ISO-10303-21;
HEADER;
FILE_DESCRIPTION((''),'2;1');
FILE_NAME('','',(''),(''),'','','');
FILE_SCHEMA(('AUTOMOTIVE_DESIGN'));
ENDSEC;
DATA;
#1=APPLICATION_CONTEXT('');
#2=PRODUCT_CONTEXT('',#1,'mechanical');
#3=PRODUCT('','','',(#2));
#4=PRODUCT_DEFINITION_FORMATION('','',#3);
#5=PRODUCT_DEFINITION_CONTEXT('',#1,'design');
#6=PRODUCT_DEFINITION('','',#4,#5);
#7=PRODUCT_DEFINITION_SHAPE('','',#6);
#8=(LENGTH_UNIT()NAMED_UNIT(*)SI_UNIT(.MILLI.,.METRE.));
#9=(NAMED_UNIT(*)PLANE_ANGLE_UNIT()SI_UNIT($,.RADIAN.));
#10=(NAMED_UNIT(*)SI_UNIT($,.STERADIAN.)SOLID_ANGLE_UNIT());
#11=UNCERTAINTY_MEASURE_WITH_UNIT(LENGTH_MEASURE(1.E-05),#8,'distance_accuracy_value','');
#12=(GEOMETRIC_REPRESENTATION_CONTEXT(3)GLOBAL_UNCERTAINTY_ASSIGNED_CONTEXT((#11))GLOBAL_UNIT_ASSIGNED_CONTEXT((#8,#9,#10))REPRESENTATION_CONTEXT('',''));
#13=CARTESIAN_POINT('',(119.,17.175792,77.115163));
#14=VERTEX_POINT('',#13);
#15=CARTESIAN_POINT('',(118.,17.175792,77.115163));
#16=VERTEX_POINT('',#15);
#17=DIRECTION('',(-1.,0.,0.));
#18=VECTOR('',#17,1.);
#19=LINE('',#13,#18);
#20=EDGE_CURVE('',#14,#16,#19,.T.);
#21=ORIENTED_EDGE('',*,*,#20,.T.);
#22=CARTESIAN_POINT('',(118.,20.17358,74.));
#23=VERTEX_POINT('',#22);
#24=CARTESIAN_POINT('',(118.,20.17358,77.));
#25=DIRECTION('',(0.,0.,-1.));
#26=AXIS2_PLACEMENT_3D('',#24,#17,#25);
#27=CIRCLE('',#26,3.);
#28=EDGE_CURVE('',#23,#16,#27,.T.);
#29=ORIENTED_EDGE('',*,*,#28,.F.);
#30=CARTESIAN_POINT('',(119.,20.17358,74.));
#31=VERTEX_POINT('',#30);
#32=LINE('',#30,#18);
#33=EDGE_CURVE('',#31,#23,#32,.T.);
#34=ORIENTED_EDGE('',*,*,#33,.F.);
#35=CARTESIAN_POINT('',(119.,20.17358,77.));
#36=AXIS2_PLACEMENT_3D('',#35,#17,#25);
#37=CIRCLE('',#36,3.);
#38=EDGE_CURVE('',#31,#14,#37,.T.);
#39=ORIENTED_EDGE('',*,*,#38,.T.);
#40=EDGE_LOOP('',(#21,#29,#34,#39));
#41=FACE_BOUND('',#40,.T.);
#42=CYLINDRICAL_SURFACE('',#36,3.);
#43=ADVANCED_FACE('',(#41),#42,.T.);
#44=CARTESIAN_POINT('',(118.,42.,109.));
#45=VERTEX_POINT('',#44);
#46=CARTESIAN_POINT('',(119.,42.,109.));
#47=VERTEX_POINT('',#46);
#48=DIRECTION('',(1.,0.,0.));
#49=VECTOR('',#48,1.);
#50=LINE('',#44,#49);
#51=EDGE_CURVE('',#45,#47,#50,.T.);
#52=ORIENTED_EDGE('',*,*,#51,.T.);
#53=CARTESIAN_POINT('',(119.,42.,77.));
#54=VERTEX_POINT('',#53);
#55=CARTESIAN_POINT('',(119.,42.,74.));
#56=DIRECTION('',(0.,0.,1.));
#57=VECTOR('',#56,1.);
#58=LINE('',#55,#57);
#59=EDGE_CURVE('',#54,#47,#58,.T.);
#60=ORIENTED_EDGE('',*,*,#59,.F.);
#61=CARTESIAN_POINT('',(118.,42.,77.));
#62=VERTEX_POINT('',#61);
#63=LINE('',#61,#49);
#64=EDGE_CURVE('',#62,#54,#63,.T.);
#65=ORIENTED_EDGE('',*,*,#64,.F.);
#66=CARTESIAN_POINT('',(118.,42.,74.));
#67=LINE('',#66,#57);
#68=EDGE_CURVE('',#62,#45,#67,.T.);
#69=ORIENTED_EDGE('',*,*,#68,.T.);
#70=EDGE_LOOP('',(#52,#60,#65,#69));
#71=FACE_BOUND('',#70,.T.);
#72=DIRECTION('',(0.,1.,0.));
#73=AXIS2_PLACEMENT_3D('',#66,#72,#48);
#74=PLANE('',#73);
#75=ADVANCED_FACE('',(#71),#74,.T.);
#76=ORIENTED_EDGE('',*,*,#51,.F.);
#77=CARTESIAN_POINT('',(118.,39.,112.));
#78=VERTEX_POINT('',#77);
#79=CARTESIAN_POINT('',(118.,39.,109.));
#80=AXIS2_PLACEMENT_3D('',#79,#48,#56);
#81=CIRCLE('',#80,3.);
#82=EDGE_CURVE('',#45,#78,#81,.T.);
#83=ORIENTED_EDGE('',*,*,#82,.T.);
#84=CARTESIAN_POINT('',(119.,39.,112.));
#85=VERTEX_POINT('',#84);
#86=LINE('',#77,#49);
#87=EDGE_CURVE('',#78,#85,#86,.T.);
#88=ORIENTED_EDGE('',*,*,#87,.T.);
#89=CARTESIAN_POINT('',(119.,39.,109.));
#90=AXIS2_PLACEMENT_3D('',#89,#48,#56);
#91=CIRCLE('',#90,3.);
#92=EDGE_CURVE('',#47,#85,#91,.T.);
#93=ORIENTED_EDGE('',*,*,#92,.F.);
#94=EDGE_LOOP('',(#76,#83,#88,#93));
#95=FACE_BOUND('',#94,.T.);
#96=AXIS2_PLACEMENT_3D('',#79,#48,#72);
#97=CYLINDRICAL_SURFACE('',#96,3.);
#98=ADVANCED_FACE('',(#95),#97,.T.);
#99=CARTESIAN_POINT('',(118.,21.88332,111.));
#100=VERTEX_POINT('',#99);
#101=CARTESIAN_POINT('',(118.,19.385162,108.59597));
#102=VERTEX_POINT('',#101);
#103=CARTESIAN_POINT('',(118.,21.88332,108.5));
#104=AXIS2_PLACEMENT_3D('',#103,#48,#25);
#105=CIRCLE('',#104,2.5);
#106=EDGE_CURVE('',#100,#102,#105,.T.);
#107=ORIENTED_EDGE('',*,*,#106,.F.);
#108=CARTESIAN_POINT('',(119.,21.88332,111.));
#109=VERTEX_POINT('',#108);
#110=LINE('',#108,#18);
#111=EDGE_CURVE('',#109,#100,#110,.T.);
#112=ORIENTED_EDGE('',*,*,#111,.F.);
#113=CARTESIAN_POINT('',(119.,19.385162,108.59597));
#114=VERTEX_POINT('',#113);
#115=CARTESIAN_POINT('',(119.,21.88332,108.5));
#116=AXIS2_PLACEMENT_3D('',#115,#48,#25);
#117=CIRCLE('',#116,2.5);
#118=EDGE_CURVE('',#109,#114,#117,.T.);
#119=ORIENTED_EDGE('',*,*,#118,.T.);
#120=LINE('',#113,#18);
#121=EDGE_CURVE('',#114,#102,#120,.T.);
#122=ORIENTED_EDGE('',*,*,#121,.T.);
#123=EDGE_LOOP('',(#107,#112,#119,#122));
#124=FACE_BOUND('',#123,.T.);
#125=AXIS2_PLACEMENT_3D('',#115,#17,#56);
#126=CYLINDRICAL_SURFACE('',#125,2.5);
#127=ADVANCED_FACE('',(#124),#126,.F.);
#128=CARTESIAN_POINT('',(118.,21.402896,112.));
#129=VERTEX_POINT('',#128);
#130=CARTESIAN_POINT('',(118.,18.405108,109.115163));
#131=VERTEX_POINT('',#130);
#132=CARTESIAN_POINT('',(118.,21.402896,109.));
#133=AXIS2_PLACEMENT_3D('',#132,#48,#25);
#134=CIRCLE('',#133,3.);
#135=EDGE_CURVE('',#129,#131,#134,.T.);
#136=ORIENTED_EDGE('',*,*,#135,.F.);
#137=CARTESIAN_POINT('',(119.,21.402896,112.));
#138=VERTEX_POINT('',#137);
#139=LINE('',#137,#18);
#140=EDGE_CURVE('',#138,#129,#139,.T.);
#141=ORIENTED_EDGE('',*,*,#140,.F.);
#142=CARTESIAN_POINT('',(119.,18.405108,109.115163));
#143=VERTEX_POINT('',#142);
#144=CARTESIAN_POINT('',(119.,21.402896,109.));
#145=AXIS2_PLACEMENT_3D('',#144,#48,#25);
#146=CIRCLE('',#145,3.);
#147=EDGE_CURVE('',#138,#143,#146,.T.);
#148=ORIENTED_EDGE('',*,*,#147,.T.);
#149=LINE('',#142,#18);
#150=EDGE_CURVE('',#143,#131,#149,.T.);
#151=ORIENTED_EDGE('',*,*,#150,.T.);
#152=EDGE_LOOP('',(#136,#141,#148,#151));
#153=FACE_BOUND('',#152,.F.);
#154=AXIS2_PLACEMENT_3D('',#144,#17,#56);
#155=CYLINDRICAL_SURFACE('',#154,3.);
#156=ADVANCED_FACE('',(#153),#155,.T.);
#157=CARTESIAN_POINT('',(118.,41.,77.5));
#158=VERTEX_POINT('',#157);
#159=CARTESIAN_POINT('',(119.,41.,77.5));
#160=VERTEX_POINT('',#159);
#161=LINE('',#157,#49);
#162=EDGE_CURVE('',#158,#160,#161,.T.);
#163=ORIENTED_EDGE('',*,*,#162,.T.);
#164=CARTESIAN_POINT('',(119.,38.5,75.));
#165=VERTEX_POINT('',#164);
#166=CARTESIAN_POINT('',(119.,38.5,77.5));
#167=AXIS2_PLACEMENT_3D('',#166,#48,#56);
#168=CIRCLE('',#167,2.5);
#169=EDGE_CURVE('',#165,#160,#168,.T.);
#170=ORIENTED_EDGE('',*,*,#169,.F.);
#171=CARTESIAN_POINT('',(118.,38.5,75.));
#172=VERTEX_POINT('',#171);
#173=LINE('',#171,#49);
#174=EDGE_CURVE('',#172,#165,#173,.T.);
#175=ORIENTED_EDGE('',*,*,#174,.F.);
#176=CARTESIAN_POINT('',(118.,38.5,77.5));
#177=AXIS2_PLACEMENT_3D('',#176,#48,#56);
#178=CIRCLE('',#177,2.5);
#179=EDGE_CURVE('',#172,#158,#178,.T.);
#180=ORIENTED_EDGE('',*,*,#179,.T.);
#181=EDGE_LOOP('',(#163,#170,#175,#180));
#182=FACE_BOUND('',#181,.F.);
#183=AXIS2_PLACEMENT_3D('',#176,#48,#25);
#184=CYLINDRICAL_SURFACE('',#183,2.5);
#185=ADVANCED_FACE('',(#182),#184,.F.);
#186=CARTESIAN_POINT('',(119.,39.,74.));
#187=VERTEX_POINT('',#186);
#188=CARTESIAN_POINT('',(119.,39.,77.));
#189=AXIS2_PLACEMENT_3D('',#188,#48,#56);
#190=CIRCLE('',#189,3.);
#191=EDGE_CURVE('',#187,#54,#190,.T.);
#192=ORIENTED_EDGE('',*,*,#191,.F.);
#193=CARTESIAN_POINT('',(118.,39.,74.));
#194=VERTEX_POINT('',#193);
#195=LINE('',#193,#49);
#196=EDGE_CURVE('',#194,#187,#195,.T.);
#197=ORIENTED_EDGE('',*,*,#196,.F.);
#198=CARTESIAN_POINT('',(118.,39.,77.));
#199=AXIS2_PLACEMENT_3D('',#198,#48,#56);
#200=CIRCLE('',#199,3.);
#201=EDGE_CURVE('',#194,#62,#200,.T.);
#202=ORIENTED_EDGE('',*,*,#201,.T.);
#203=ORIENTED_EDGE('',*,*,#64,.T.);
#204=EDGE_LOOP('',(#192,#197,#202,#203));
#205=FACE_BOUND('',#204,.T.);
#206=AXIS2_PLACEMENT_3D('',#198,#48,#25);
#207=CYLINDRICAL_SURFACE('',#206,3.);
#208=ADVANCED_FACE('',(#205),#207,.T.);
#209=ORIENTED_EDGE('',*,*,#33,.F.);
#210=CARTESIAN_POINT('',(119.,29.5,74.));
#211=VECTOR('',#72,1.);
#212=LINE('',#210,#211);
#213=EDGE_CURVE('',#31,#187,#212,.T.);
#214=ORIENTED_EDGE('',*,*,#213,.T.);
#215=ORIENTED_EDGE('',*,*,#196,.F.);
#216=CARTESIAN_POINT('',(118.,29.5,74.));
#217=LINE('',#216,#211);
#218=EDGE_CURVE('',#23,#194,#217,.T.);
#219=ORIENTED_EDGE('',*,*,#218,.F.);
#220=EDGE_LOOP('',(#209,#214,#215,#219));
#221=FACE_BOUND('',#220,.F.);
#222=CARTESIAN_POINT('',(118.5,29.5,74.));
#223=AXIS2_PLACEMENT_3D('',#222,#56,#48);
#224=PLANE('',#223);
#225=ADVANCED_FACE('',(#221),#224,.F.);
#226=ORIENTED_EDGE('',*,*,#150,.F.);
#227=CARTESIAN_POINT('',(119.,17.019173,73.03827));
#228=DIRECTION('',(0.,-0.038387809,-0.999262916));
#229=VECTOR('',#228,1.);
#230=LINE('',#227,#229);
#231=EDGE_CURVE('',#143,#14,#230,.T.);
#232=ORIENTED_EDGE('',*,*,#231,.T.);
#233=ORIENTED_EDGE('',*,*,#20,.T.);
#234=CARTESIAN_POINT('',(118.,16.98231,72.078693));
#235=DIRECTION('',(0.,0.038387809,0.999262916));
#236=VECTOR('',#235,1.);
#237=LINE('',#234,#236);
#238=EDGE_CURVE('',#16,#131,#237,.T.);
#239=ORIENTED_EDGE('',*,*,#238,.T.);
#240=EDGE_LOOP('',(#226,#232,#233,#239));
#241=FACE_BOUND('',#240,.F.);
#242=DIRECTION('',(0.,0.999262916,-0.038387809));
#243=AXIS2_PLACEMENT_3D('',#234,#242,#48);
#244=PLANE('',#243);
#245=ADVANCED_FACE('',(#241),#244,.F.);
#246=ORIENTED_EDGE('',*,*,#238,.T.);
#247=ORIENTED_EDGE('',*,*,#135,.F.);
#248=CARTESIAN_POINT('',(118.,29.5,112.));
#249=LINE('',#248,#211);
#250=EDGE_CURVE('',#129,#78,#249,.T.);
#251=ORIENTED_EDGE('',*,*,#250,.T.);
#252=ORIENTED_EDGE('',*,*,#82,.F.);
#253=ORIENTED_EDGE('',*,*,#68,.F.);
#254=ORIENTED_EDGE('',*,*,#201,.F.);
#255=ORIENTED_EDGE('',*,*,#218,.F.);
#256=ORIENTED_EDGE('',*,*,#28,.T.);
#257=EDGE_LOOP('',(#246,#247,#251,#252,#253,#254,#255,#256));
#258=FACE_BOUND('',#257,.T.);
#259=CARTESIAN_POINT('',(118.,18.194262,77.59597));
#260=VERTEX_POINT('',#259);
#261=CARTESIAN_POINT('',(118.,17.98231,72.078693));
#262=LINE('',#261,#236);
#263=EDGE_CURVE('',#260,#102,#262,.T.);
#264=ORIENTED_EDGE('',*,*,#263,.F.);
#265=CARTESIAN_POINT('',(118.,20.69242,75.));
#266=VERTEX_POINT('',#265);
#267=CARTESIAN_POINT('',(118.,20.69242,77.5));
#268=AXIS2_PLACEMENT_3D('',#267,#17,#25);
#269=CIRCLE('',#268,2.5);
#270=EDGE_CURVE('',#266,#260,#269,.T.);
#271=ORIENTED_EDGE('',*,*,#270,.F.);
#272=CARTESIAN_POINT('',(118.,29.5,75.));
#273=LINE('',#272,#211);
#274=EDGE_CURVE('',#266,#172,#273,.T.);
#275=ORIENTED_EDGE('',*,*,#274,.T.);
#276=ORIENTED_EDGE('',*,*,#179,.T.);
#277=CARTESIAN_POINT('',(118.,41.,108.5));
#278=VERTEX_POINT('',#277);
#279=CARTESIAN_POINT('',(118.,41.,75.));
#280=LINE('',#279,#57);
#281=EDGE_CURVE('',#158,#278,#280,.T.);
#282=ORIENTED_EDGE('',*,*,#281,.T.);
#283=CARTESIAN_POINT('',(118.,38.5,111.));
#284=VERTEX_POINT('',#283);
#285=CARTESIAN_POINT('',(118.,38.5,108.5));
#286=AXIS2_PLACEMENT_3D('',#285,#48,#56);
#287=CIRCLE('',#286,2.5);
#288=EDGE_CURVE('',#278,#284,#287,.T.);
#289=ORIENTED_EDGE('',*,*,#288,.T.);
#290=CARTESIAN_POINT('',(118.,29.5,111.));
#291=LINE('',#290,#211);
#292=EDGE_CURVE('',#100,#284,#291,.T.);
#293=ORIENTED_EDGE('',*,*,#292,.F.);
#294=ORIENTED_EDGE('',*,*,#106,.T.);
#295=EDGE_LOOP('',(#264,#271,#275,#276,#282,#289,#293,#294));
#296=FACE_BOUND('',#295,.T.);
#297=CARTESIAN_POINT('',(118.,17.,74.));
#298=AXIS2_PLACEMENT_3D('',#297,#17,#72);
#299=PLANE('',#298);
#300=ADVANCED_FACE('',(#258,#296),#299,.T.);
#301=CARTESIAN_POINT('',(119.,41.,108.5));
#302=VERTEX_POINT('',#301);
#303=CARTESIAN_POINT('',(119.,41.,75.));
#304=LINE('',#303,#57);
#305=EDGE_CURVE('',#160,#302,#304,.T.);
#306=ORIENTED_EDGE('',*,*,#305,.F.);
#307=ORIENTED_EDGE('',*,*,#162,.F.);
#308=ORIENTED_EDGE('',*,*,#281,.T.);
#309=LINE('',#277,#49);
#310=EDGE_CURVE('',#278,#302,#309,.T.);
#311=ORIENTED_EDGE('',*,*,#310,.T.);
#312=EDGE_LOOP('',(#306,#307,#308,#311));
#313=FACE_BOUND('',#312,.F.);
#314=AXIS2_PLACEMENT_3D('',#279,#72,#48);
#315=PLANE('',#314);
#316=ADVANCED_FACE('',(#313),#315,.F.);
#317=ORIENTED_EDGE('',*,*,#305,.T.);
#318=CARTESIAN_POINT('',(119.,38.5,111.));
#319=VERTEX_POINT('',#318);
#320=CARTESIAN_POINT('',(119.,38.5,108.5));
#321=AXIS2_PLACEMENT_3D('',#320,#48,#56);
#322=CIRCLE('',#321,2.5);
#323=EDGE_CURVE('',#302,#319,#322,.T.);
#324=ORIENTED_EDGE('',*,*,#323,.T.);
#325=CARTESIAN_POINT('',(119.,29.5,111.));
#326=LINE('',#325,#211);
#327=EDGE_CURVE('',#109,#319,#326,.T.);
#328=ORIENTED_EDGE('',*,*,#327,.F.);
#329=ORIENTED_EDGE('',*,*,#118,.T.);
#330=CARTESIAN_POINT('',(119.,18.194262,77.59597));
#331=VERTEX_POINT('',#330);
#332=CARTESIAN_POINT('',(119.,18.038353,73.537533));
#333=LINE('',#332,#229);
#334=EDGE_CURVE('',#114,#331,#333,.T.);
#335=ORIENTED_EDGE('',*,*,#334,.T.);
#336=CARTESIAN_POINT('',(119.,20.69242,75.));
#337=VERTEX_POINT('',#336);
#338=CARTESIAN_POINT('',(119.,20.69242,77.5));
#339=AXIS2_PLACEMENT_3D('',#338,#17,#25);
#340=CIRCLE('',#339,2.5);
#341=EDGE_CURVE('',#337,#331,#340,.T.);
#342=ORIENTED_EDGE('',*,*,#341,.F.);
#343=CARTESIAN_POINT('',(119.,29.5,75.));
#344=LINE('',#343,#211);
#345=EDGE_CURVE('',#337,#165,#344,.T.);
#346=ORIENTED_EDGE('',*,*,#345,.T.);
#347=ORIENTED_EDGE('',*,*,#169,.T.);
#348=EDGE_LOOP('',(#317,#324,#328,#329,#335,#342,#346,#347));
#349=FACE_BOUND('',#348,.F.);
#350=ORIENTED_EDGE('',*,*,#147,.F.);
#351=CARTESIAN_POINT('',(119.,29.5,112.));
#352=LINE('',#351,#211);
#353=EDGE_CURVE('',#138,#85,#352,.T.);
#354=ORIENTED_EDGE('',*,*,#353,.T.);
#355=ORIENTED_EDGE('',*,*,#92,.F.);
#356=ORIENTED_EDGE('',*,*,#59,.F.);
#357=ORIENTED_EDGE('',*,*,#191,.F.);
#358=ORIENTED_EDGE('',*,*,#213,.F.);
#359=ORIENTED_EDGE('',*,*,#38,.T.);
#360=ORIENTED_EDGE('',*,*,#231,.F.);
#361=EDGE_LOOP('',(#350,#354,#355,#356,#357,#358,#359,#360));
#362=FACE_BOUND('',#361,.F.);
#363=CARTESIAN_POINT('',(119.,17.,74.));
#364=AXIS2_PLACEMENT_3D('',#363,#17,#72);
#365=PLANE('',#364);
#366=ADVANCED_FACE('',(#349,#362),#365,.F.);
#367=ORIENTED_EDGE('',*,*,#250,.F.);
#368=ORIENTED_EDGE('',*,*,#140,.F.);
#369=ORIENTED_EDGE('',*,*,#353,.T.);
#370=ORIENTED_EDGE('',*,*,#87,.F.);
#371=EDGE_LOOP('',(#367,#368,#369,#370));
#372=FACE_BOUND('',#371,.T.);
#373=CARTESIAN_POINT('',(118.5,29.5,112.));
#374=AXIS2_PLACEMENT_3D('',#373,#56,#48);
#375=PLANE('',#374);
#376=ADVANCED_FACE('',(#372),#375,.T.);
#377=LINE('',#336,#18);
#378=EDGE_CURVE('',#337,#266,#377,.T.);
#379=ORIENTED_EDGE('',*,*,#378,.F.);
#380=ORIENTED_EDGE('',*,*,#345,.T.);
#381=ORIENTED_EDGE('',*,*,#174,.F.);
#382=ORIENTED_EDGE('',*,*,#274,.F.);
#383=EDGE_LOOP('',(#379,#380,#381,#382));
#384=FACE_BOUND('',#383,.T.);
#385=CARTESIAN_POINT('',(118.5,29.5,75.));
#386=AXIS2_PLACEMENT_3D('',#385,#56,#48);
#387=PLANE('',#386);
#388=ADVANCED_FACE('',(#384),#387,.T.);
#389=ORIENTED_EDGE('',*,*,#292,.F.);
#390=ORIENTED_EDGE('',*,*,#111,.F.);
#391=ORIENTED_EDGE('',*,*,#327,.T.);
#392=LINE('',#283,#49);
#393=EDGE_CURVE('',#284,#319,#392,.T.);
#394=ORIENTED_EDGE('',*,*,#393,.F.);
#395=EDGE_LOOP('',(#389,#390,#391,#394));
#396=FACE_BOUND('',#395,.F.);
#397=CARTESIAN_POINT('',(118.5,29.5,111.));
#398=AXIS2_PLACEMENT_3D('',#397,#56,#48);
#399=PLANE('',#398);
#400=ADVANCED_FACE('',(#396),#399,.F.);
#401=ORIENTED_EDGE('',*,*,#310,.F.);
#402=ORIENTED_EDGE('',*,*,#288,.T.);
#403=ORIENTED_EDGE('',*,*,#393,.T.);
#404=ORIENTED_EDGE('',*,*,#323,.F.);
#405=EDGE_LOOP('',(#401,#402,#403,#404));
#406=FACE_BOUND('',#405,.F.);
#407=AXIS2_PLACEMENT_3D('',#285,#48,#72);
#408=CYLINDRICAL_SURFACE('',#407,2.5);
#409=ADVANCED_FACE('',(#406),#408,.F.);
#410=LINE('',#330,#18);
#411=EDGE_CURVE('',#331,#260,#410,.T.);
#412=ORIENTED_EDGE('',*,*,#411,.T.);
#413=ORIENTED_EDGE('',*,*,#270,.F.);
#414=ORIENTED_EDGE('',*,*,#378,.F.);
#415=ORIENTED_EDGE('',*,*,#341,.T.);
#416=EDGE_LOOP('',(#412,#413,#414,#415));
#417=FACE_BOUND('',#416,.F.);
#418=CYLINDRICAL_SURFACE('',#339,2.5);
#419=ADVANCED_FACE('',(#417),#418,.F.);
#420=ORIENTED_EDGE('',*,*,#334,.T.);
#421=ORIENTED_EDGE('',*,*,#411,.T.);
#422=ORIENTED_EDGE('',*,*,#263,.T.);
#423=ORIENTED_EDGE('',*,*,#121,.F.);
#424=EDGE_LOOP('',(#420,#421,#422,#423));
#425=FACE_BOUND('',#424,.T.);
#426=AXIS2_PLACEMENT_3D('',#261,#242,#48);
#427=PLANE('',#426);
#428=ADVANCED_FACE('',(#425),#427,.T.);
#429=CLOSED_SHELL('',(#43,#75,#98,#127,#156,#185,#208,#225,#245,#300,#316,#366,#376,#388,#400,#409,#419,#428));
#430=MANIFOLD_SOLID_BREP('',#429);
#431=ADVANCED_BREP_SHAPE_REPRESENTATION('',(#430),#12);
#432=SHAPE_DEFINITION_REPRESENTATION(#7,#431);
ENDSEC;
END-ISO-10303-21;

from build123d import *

# Parameters (mm, degrees)
BOX055_W          = 5
BOX055_H          = 24
BOX055_DEPTH      = 40
BOX055_ROLL_ANGLE = -2.2
BOX054_W          = 1
BOX054_H          = 23
BOX054_DEPTH      = 36
FILLET061_R       = 2.5
BOX011_W          = 5
BOX011_H          = 24
BOX011_DEPTH      = 40
BOX011_ROLL_ANGLE = -2.2
BOX010_W          = 1
BOX010_H          = 25
BOX010_DEPTH      = 38
FILLET047_R       = 3


with BuildPart() as cube481:
    # Box055 → Box055 (new body)
    with BuildSketch(Plane.XY):
        with Locations((2.5, 12)):
            Rectangle(BOX055_W, BOX055_H)
    extrude(amount=BOX055_DEPTH)


with BuildPart() as cube481_1:
    # Box055 roll: moved
    add(cube481.part.rotate(Axis((0, 0, 0), (1, 0, 0)), BOX055_ROLL_ANGLE))


with BuildPart() as cube481_2:
    # Box055 placement: moved
    add(cube481_1.part.moved(Location((175, -23, -1))))


with BuildPart() as fillet061:
    # Box054 → Box054 (new body)
    with BuildSketch(Plane(origin=(175, 1, 1), x_dir=(1, 0, 0), z_dir=(0, 0, 1))):
        with Locations((0.5, 11.5)):
            Rectangle(BOX054_W, BOX054_H)
    extrude(amount=BOX054_DEPTH)

    # Cut040: cut Cube481
    add(cube481_2.part, mode=Mode.SUBTRACT)


with BuildPart() as fillet061_1:
    # Cut040 placement: moved
    add(fillet061.part.moved(Location((-57, 17, 74))))

    # Fillet061
    fillet061_edges = [fillet061_1.edges().sort_by_distance(p)[0] for p in [
        (118.5, 41, 111),
        (118.5, 19.477516, 111),
        (118.5, 41, 75),
        (118.5, 18.094535, 75),
    ]]
    fillet(fillet061_edges, radius=FILLET061_R)


with BuildPart() as cube379:
    # Box011 → Box011 (new body)
    with BuildSketch(Plane.XY):
        with Locations((2.5, 12)):
            Rectangle(BOX011_W, BOX011_H)
    extrude(amount=BOX011_DEPTH)


with BuildPart() as cube379_1:
    # Box011 roll: moved
    add(cube379.part.rotate(Axis((0, 0, 0), (1, 0, 0)), BOX011_ROLL_ANGLE))


with BuildPart() as cube379_2:
    # Box011 placement: moved
    add(cube379_1.part.moved(Location((175, -24, -1))))


with BuildPart() as cut041:
    # Box010 → Box010 (new body)
    with BuildSketch(Plane(origin=(175, 0, 0), x_dir=(1, 0, 0), z_dir=(0, 0, 1))):
        with Locations((0.5, 12.5)):
            Rectangle(BOX010_W, BOX010_H)
    extrude(amount=BOX010_DEPTH)

    # Cut004: cut Cube379
    add(cube379_2.part, mode=Mode.SUBTRACT)


with BuildPart() as cut041_1:
    # Cut004 placement: moved
    add(cut041.part.moved(Location((-57, 17, 74))))

    # Fillet047
    fillet047_edges = [cut041_1.edges().sort_by_distance(p)[0] for p in [
        (118.5, 42, 112),
        (118.5, 18.515932, 112),
        (118.5, 42, 74),
        (118.5, 17.056119, 74),
    ]]
    fillet(fillet047_edges, radius=FILLET047_R)

    # Cut041: cut Fillet061
    add(fillet061_1.part, mode=Mode.SUBTRACT)


solid = cut041_1.part
